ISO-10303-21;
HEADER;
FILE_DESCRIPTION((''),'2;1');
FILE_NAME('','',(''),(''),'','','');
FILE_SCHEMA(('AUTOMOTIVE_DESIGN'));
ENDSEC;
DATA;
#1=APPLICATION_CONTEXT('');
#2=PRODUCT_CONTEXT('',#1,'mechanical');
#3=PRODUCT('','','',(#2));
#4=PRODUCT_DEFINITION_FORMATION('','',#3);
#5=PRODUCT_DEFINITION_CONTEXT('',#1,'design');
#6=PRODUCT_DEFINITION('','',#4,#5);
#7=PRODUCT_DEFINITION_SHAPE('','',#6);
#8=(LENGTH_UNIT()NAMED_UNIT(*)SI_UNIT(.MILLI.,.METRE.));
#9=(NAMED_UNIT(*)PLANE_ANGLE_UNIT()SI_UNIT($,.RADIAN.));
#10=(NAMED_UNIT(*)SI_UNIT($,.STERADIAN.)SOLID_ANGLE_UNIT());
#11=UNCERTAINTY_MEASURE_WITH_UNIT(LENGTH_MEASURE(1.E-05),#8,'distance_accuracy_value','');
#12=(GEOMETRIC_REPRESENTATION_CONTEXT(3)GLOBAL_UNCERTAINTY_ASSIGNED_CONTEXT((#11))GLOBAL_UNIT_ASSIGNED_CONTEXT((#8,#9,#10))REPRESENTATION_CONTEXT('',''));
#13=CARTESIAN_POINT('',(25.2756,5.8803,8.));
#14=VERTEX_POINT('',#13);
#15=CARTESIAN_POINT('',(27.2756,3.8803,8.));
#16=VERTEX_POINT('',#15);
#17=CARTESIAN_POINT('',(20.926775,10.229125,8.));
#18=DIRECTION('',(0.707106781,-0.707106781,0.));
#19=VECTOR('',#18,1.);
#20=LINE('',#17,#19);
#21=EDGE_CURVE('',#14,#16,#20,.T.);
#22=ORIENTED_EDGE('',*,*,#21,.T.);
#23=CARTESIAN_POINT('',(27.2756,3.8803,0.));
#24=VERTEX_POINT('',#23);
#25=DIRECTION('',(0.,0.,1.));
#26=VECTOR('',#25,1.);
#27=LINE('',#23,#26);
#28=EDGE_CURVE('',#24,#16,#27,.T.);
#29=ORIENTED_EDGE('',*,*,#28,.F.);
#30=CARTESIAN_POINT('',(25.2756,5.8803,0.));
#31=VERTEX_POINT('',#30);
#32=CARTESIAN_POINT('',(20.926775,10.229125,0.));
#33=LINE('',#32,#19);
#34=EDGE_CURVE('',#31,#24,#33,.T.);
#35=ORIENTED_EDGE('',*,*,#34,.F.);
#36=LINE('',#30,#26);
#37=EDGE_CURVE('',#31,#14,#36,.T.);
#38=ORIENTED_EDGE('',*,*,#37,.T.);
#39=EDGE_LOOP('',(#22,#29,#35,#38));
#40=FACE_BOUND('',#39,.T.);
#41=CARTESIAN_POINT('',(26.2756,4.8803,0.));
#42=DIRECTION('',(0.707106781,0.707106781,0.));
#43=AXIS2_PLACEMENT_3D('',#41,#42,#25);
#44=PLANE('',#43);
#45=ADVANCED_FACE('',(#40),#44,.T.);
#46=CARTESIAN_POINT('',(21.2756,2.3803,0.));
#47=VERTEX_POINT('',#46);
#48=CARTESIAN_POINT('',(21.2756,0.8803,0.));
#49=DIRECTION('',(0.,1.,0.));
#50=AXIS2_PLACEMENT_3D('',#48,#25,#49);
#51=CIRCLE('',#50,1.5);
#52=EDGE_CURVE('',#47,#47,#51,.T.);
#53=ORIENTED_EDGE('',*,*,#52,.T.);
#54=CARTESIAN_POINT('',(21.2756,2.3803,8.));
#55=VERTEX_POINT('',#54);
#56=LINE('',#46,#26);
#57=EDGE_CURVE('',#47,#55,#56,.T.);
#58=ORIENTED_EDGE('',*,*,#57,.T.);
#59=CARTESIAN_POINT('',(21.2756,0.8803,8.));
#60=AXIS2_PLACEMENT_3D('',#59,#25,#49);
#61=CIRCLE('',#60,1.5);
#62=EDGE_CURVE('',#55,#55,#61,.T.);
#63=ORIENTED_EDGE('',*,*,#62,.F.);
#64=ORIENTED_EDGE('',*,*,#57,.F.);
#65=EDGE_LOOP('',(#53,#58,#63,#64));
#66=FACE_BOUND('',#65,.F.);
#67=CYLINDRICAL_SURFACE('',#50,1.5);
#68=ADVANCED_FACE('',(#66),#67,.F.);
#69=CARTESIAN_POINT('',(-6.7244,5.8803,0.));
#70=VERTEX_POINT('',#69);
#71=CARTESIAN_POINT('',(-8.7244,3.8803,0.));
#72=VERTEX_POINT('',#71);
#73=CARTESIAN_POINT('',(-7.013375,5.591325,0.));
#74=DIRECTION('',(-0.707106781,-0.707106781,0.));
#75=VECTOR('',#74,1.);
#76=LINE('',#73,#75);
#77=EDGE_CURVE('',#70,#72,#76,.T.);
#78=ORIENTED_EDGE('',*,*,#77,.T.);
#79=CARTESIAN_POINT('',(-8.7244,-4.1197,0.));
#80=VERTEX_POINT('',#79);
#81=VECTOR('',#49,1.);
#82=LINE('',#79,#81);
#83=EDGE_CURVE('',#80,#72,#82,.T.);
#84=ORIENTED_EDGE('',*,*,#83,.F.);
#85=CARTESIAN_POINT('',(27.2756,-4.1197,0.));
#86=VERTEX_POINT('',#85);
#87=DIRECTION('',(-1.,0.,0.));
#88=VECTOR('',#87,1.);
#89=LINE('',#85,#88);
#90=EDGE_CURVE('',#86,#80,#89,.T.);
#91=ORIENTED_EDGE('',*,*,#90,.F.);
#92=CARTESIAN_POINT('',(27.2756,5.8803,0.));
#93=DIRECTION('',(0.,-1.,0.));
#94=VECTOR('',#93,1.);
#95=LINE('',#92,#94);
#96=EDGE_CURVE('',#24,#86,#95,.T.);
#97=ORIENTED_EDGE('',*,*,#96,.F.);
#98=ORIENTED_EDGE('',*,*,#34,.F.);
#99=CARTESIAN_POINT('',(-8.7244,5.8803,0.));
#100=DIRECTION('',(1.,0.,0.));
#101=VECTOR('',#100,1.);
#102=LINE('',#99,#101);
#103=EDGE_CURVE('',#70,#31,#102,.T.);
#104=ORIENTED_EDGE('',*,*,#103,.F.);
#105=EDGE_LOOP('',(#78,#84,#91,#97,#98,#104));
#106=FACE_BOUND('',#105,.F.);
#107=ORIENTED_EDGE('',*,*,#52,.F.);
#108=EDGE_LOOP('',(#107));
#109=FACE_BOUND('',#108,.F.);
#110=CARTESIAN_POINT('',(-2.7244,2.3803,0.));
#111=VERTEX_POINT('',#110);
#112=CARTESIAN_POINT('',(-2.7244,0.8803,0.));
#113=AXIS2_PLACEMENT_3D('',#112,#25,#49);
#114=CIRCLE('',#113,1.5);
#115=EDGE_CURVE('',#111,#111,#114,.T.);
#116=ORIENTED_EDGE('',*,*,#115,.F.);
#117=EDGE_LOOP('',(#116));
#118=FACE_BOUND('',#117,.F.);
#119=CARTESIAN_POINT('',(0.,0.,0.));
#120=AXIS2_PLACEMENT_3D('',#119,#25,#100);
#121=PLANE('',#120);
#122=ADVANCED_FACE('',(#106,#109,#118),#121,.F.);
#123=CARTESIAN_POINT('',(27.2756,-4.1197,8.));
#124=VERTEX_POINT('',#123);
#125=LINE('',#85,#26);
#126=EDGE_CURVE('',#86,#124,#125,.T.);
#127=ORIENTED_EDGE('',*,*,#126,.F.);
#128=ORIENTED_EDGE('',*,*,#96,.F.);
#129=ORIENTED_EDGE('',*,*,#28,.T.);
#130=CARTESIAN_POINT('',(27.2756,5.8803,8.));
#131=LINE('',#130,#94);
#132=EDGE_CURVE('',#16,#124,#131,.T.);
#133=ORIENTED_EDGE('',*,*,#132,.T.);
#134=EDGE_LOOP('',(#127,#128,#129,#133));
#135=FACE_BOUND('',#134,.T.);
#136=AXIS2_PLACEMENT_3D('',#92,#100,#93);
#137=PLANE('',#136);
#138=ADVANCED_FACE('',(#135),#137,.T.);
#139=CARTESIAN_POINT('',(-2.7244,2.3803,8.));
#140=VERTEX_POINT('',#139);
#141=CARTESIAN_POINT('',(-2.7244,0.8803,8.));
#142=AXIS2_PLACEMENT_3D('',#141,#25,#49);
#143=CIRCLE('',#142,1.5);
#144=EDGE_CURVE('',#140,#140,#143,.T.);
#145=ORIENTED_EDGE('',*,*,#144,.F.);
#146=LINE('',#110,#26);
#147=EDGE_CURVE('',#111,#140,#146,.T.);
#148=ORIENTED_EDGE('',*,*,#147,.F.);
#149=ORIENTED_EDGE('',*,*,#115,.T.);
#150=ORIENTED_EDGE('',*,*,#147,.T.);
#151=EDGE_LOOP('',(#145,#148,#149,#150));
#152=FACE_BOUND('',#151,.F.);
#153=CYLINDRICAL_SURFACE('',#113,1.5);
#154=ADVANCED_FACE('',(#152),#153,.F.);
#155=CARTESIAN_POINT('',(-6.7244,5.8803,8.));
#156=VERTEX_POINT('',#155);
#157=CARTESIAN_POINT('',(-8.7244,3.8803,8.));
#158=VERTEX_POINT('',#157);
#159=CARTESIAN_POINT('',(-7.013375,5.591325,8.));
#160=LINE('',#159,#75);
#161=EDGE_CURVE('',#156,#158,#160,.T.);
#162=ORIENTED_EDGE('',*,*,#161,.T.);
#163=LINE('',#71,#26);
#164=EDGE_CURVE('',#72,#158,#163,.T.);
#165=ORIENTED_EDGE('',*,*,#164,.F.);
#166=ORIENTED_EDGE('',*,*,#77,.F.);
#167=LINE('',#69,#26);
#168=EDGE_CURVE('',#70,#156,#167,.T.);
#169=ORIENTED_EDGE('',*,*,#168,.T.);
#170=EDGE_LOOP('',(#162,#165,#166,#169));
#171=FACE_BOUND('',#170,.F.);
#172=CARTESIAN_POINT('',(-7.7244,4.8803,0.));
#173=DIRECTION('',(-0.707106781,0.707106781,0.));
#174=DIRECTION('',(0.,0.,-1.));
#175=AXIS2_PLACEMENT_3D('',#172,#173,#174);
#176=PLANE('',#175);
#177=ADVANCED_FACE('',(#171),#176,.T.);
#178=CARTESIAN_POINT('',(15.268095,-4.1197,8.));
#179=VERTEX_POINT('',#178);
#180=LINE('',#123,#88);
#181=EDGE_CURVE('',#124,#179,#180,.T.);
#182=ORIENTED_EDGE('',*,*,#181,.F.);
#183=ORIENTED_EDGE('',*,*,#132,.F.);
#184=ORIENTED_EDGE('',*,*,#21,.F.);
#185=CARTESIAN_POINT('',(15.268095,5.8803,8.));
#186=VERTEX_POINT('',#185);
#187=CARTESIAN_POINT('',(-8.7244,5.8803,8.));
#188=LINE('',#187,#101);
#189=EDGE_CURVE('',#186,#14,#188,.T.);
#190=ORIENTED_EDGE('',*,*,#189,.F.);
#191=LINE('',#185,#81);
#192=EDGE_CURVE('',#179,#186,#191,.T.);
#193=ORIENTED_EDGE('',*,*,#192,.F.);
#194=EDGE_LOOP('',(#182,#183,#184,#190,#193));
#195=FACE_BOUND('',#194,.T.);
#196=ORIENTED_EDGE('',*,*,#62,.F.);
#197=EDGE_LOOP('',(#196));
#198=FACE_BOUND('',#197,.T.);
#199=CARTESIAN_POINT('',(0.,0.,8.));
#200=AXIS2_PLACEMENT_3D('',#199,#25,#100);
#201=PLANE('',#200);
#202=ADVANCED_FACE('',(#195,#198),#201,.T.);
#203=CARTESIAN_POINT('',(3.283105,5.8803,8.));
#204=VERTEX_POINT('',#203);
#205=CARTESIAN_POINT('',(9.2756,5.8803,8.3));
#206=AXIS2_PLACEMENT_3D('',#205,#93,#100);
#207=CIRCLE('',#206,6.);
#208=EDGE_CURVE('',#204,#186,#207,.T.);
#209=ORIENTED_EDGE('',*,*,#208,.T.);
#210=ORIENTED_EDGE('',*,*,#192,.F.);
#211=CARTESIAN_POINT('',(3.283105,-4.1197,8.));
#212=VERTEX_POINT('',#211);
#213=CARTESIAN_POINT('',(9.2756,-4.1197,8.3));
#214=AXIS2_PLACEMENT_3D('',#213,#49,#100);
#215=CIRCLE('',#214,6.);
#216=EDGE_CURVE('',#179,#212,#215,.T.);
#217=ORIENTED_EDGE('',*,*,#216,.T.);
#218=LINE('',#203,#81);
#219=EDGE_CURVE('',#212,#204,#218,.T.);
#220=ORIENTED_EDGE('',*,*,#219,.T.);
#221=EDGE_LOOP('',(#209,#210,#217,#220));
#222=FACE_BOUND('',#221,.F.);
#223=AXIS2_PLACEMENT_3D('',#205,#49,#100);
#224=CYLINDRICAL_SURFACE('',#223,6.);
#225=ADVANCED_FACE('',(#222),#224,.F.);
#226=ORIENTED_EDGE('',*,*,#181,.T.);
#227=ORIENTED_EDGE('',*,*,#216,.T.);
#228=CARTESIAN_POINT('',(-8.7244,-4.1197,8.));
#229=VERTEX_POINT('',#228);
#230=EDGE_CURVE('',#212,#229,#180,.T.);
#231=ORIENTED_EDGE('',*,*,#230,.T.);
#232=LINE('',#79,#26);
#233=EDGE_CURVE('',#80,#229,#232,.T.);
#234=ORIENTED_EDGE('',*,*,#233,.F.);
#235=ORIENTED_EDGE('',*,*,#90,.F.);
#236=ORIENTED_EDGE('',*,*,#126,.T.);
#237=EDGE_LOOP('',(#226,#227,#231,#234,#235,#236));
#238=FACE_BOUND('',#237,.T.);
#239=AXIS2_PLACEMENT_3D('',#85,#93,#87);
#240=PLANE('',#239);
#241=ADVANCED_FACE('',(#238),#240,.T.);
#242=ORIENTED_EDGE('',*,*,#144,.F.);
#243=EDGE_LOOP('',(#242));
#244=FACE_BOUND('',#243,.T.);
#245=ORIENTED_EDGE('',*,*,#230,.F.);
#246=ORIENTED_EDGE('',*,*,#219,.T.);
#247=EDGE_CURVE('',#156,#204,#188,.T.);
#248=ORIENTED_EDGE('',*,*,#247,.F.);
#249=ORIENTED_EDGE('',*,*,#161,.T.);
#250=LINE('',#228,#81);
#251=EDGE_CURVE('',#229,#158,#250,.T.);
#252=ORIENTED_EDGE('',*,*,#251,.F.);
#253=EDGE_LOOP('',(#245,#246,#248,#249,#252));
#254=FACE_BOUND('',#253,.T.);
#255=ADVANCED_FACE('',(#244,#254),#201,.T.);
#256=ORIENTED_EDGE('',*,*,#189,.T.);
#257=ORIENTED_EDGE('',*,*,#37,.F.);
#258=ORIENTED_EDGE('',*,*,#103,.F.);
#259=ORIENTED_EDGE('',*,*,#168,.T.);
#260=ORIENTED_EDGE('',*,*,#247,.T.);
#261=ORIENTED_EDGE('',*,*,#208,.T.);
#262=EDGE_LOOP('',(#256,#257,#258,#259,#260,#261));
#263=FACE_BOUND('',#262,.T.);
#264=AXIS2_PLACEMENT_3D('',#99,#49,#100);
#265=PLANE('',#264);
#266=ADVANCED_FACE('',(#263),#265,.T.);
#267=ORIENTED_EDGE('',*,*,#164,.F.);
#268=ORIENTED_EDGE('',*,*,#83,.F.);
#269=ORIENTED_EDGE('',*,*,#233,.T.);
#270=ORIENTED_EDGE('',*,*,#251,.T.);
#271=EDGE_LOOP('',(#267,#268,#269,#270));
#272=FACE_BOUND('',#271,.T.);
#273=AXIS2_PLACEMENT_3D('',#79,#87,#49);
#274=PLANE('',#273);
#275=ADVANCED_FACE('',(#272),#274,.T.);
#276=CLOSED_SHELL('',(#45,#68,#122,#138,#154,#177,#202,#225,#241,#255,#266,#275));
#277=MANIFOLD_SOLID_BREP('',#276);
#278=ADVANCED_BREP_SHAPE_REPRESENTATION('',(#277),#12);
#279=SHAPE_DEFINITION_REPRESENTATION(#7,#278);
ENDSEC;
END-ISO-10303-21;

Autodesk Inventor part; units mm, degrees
ref_plane "YZ Plane" through (0, 0, 0) normal (1, 0, 0) x (0, 1, 0)
ref_plane "XZ Plane" through (0, 0, 0) normal (0, 1, 0) x (-1, 0, 0)
ref_plane "XY Plane" through (0, 0, 0) normal (0, 0, 1) x (1, 0, 0)
sketch "Sketch1" plane through (0, 0, 0) normal (0, 0, 1) x (1, 0, 0)
  line L0 (-8.7244, 5.8803) -> (27.2756, 5.8803)
  line L1 (27.2756, 5.8803) -> (27.2756, -4.1197)
  line L2 (27.2756, -4.1197) -> (-8.7244, -4.1197)
  line L3 (-8.7244, -4.1197) -> (-8.7244, 5.8803)
  point P0 (0, 0)
  point P1 (-2.7244, 0.8803)
  point P2 (21.2756, 0.8803)
  dimension "d0" = 36
  dimension "d1" = 24
  dimension "d2" = 6
  dimension "d3" = 10
  dimension "d4" = 5
extrude "Extrusion1" add sketch "Sketch1" along normal blind 8
hole "Hole1" at (-2.7244, 0.8803, 0) at (21.2756, 0.8803, 0) direction (0, 0, 1) diameter 3 end through all
sketch "Sketch2" plane through (-8.7244, 5.8803, 0) normal (0, 1, 0) x (1, 0, 0)
  line L0 (0, 0) -> (36, 0) projected
  line L1 (0, 0) -> (0, -8) projected
  line L2 (36, -8) -> (0, -8) projected
  line L3 (36, 0) -> (36, -8) projected
  line L4 (0, -8) -> (36, -8) projected
  circle A0 centre (18, -8.3) radius 6
  point P0 (8.7244, 0)
  dimension "d15" = 36
  dimension "d22" = 12
  dimension "d23" = 18
  dimension "d24" = 0.3
extrude "Extrusion2" cut sketch "Sketch2" against normal through all contours A0 L2 | L2 A0
chamfer "Chamfer1" distance 2 angle 45 2 edges at (27.2756, 5.8803, 4) (-8.7244, 5.8803, 4)
equation "\"d2\" = -0.5 * d1 + 0.5 * d0"
equation "\"d23\" = 0.5 * d15"
properties part number "3DP_PLA_X_axis_carriage_laser_mount_clamp" material "ABS Plastic"
